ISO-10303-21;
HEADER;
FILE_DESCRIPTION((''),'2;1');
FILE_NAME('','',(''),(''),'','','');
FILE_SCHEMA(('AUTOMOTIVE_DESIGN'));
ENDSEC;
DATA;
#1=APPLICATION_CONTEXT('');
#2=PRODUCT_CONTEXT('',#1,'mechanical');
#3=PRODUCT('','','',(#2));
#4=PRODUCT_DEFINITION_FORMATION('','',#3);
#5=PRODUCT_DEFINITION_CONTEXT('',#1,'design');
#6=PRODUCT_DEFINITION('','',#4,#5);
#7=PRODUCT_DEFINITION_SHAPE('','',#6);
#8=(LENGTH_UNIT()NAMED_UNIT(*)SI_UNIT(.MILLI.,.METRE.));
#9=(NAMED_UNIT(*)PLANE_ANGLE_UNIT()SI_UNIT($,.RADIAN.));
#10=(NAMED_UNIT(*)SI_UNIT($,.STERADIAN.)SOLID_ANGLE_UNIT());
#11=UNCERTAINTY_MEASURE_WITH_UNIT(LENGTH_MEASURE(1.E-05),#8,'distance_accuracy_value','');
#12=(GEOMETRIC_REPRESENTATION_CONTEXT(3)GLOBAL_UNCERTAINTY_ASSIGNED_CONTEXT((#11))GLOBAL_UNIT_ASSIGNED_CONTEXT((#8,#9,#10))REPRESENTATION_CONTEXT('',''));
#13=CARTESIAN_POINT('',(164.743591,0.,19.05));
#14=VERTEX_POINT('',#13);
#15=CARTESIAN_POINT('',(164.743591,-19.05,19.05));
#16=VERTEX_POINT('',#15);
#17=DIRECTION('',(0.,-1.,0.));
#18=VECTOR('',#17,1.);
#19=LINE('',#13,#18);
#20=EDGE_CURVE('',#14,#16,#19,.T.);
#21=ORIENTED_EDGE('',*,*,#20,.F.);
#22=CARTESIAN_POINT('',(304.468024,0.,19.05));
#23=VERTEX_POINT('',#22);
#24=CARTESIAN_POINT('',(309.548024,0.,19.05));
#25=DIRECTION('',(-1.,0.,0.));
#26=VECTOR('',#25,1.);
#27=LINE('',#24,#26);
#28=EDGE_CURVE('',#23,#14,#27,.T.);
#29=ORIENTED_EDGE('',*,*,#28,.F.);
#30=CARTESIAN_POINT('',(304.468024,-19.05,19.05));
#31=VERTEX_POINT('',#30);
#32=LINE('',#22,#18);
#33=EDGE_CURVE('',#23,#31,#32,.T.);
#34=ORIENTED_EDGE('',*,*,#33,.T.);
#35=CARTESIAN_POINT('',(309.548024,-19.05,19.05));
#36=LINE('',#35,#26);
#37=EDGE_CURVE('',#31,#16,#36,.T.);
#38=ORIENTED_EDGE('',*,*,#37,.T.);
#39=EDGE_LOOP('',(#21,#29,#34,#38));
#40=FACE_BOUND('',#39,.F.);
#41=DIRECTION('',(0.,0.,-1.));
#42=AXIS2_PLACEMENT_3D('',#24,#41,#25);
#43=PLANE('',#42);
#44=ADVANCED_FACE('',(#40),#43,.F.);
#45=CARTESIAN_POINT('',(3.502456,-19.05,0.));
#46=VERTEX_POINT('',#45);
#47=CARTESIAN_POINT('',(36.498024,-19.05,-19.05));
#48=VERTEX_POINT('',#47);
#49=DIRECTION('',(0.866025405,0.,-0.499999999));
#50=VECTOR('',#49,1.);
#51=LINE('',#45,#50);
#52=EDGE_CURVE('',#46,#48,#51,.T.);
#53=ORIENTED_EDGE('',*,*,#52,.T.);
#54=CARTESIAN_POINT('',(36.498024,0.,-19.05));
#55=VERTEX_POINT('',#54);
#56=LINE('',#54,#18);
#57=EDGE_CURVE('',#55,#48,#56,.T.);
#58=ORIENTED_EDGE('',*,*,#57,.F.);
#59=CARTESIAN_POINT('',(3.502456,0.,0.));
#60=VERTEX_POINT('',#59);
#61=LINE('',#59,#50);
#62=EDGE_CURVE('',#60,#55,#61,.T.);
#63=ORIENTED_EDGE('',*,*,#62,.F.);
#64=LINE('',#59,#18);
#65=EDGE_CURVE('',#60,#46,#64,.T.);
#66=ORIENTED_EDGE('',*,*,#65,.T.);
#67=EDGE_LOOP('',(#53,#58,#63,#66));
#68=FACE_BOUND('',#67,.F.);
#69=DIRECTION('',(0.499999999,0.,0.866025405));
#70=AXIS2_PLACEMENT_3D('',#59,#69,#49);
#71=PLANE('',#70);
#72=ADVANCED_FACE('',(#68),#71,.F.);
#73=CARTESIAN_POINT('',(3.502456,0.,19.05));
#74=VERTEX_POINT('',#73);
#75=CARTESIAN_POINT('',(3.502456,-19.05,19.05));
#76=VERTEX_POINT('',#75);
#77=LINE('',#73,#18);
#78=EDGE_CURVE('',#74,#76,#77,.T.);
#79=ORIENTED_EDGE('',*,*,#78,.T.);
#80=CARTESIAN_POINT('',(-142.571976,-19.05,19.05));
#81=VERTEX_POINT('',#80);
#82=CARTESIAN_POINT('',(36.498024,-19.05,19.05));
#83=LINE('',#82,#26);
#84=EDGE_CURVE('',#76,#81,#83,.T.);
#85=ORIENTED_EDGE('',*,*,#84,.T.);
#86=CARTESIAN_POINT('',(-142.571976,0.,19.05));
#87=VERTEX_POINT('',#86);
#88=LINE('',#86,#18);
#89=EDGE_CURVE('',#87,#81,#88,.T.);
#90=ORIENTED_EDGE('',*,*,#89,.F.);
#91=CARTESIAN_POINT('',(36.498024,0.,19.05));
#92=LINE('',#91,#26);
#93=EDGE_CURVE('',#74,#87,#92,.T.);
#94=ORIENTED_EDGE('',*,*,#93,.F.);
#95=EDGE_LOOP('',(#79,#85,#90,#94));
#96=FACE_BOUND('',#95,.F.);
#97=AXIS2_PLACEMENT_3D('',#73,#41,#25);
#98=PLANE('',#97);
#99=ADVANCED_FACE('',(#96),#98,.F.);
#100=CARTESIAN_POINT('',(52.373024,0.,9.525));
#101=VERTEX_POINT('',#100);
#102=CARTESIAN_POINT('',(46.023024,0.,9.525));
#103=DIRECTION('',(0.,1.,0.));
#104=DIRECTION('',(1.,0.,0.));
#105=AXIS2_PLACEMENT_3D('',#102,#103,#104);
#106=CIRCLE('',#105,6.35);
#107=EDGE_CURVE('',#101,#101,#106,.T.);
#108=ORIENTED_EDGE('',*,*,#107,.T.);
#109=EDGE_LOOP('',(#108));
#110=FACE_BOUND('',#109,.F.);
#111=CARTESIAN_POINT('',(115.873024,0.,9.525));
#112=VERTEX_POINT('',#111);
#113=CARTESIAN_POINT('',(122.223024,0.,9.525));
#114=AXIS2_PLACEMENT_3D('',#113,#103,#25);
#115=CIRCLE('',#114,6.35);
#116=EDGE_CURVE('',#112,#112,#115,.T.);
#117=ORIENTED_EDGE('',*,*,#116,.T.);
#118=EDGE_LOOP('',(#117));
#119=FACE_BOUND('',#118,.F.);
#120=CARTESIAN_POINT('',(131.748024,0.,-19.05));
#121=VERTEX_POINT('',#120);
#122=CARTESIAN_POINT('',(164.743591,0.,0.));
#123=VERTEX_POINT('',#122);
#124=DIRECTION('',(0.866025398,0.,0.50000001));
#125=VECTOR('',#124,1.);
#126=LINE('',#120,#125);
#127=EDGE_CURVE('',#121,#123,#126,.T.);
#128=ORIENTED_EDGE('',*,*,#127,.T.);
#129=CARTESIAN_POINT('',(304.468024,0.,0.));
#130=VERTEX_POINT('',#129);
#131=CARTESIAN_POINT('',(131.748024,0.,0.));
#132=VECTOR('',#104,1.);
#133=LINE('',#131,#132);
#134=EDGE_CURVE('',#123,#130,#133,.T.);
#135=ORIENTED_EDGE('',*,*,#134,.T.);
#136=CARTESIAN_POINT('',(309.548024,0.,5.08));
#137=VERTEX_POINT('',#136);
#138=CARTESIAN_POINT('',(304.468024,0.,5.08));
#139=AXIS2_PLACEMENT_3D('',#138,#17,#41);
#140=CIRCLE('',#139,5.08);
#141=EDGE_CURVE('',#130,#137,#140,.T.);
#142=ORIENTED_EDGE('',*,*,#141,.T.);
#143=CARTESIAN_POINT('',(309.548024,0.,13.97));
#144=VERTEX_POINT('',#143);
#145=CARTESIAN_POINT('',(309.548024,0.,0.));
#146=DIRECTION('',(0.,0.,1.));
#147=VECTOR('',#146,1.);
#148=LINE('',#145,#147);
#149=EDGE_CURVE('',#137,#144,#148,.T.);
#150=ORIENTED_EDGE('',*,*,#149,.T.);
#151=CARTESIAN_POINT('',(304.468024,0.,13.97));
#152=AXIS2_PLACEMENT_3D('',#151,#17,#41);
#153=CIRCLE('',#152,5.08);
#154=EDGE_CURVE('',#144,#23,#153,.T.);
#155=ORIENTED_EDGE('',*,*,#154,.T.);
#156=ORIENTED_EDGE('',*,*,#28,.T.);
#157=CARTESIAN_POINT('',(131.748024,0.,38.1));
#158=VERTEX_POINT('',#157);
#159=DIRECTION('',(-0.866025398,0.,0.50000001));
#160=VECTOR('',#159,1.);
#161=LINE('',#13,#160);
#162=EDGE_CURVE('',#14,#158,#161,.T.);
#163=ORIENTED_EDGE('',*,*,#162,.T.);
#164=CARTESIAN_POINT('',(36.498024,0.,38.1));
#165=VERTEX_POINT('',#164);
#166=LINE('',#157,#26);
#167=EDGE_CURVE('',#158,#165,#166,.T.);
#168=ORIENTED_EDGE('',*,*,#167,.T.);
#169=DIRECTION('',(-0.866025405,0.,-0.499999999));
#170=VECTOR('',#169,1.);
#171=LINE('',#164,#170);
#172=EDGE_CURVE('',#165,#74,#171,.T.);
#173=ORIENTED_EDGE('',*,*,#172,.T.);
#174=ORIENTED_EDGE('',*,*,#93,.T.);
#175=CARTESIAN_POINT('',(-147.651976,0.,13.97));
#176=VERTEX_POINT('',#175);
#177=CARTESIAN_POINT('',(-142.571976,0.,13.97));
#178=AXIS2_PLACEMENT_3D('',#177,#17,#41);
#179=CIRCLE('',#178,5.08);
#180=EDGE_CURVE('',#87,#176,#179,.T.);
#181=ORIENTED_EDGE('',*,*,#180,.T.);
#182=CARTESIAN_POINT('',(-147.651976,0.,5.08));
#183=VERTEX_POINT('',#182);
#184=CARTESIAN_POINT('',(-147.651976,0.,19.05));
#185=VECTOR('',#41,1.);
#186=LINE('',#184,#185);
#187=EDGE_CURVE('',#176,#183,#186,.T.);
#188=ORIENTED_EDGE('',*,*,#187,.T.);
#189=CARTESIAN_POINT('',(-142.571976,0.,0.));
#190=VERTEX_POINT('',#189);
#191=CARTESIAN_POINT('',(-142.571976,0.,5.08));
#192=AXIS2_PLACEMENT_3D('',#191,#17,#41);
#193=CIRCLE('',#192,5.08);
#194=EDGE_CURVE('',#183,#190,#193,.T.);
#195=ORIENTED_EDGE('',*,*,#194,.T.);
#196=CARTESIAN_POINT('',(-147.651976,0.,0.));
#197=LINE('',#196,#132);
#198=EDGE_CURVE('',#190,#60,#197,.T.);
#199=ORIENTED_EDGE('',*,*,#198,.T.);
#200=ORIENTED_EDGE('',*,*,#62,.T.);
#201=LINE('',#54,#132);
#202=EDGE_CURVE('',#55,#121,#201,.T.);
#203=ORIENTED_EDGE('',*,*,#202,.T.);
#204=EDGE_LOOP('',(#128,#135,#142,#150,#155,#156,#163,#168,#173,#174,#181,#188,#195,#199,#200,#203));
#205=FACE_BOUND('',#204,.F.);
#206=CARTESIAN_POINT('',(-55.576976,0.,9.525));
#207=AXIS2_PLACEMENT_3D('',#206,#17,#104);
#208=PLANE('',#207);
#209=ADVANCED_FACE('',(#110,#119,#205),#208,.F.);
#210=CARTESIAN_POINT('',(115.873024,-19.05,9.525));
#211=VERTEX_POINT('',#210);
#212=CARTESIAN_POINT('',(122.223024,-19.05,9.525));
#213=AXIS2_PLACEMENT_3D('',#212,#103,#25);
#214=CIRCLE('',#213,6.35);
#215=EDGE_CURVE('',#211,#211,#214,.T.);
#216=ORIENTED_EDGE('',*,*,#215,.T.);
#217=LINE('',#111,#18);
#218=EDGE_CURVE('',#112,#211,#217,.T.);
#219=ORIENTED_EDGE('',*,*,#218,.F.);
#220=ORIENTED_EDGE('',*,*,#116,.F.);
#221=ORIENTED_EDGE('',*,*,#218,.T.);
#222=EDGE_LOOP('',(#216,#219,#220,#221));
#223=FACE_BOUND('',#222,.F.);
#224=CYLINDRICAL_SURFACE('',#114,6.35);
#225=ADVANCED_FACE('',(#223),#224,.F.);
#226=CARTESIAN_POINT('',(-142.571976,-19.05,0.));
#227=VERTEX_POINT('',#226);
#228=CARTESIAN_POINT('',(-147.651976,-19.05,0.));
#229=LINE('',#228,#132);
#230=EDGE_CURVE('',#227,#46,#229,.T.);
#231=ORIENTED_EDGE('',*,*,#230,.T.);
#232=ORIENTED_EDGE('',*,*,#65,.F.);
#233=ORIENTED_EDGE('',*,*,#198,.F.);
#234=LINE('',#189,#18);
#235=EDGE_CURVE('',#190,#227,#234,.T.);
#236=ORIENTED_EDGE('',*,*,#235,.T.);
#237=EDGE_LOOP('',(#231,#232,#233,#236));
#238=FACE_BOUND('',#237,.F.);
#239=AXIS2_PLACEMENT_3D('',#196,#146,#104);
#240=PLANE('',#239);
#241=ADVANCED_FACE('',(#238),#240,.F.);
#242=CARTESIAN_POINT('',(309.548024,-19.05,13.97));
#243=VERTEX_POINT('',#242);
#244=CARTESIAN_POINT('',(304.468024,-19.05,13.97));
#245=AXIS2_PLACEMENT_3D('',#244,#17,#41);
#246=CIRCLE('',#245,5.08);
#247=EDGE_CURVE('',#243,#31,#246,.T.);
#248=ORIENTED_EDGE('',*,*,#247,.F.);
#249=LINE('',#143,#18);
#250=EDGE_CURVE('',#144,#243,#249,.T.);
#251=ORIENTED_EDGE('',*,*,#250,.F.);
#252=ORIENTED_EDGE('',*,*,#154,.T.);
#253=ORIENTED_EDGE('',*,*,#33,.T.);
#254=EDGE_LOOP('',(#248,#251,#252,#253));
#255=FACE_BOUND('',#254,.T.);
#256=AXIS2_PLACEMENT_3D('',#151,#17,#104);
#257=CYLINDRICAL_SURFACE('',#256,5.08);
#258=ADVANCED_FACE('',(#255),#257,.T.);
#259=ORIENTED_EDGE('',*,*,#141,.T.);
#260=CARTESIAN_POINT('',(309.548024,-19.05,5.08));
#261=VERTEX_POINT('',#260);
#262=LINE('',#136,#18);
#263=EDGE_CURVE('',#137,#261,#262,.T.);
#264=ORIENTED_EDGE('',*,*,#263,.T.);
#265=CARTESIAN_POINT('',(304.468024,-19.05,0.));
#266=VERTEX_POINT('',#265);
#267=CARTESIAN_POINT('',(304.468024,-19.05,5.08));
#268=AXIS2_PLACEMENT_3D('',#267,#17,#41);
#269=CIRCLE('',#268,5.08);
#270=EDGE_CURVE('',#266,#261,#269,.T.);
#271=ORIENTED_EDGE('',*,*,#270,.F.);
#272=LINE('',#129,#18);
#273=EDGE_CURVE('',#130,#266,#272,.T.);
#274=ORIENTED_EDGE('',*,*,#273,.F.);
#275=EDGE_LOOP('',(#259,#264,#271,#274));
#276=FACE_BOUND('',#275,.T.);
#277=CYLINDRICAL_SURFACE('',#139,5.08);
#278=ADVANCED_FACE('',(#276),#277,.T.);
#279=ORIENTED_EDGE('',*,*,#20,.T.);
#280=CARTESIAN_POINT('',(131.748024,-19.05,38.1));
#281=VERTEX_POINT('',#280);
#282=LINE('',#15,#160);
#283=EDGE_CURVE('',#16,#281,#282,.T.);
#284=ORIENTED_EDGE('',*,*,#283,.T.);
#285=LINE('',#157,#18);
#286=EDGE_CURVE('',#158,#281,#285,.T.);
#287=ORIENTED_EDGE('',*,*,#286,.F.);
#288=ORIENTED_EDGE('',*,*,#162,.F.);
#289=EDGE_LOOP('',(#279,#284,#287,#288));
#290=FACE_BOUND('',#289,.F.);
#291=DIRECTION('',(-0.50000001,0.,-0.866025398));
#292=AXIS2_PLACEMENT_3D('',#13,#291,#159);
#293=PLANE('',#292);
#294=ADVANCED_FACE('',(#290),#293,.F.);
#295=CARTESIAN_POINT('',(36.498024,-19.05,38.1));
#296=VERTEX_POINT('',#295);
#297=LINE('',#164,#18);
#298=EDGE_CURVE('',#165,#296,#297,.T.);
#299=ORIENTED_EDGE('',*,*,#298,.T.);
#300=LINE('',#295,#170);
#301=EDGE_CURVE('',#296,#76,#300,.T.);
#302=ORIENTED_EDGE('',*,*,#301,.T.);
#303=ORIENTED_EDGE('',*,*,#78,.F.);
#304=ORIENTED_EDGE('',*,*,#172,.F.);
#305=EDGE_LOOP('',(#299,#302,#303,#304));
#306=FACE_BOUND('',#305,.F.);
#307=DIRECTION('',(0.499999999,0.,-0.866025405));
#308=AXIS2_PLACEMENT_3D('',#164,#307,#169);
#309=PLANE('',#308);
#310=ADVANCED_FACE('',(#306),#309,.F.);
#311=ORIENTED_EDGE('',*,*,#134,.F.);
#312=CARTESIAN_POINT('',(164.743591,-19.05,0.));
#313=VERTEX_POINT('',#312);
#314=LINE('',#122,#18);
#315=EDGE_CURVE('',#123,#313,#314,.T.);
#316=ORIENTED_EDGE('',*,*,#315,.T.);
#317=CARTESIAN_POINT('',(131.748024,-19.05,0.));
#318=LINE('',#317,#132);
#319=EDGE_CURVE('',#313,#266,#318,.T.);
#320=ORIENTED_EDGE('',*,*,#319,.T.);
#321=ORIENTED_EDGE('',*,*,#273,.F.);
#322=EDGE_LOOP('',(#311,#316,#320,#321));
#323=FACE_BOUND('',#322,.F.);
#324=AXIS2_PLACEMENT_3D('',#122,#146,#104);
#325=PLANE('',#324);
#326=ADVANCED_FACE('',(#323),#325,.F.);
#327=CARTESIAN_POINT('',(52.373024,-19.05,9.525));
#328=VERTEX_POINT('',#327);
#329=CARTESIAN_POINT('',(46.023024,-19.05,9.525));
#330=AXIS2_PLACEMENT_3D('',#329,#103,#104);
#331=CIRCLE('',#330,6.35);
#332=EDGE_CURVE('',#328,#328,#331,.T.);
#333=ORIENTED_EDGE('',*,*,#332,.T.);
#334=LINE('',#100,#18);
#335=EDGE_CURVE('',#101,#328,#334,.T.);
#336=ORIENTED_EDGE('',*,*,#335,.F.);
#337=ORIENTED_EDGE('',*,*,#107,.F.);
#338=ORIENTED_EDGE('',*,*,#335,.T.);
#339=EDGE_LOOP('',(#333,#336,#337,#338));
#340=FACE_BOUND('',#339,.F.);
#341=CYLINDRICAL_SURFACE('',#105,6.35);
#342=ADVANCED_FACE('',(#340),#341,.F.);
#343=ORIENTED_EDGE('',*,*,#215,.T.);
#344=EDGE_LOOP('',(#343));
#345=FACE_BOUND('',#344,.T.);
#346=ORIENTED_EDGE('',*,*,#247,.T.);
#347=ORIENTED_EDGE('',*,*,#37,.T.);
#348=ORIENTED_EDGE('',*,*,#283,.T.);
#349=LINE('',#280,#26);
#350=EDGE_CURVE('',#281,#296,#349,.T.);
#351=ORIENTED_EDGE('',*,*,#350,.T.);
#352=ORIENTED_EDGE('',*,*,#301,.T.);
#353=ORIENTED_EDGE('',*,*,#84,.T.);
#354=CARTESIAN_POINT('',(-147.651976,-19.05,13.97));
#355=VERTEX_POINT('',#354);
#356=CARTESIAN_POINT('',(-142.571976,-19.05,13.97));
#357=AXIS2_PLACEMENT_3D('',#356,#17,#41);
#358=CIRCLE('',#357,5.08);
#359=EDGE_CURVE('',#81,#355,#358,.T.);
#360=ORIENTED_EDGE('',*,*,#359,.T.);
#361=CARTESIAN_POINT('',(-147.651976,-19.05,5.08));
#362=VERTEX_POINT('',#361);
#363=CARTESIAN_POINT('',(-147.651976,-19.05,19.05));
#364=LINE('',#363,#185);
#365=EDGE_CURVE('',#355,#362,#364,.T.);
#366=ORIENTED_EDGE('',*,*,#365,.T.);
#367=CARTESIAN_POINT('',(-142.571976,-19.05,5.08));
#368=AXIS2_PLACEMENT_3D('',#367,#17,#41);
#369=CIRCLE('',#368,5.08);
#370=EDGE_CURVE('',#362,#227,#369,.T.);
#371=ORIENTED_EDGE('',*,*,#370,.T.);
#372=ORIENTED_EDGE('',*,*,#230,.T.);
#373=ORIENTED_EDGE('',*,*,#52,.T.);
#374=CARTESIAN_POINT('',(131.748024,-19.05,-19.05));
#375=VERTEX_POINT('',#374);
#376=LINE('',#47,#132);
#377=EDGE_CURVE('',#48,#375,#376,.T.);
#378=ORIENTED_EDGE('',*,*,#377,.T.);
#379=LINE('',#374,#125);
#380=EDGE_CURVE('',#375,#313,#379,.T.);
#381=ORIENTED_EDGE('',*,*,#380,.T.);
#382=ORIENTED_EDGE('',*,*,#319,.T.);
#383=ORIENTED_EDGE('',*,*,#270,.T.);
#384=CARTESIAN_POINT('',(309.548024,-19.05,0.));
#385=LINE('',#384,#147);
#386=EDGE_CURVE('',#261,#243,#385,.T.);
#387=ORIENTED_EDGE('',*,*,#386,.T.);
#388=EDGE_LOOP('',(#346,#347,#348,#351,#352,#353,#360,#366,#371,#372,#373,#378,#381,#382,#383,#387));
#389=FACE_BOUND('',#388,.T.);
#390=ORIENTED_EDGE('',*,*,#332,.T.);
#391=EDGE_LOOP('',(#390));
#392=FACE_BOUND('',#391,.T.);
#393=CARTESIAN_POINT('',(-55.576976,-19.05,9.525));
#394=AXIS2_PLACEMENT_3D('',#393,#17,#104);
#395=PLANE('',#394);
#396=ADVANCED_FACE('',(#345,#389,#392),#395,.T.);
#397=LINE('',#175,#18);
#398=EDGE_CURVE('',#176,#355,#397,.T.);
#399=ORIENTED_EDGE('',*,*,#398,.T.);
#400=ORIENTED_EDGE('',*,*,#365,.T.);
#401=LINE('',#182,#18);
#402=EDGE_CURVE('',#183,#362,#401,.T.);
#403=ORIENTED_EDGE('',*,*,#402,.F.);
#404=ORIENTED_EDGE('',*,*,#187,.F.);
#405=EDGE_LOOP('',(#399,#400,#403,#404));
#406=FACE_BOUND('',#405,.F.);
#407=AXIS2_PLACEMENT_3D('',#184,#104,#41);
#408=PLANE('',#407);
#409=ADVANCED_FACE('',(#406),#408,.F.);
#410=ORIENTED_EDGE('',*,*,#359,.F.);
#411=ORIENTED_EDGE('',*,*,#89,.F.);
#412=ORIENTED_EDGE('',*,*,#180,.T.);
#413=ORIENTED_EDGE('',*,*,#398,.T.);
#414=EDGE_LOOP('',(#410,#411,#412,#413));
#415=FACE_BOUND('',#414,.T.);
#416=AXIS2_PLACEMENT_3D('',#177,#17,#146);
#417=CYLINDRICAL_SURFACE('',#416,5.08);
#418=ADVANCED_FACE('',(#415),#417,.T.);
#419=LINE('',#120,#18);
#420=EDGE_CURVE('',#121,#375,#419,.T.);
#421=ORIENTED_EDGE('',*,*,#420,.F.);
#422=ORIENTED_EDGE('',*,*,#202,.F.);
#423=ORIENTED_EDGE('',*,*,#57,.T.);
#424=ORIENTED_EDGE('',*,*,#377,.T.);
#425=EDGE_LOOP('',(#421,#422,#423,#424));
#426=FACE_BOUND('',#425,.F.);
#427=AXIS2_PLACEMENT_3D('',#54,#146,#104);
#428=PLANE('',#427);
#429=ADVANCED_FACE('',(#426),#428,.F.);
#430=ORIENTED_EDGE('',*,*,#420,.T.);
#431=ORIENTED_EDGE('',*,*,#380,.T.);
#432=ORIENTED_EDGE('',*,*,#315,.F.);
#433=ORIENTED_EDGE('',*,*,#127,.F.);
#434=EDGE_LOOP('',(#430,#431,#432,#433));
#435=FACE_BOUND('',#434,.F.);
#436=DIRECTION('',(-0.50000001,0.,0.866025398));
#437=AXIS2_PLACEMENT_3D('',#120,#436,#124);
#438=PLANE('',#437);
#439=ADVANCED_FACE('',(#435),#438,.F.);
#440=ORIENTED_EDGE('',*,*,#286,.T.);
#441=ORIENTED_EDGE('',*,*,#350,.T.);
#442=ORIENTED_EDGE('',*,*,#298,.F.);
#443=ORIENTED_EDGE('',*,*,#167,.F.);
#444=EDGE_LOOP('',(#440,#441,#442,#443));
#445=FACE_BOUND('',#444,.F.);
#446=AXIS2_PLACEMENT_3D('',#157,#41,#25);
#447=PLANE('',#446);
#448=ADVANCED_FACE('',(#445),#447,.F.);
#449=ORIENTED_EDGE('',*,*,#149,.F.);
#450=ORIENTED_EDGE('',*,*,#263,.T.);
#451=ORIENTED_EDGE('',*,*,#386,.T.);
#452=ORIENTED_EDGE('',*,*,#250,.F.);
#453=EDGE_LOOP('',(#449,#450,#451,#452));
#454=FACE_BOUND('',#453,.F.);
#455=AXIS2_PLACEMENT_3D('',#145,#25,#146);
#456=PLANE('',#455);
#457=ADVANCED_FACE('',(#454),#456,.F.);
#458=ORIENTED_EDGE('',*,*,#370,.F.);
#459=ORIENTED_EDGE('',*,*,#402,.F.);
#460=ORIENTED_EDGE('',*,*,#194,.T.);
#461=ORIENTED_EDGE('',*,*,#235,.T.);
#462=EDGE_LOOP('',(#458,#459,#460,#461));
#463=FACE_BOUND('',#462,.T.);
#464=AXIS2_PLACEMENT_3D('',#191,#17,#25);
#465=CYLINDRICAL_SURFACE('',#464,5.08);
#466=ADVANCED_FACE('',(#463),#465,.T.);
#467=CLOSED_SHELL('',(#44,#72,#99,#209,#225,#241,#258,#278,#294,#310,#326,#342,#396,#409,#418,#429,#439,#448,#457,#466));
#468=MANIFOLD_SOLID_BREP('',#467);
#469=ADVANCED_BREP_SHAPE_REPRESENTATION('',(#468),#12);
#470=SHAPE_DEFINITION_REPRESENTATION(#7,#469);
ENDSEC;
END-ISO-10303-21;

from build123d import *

# Parameters (mm, degrees)
F0_W     = 19.05
F0_H     = 19.05
F1_DEPTH = 19.05
F2_R     = 5.08


with BuildPart() as f1:
    # F0 (on Front) → F1 (new body)
    with BuildSketch(Plane.XZ):
        Polygon((3.502456, 19.05), (-147.651976, 19.05), (-147.651976, 0), (3.502456, 0), (36.498024, 0), (36.498024, 9.525), (36.498024, 19.05), align=None)
        Polygon((36.498024, 38.1), (3.502456, 19.05), (36.498024, 19.05), align=None)
        with Locations((46.023024, 28.575)):
            Rectangle(F0_W, F0_H)
        Polygon((36.498024, 0), (3.502456, 0), (36.498024, -19.05), align=None)
        Polygon((55.548024, 38.1), (55.548024, 19.05), (80.948024, 19.05), (112.698024, 19.05), (112.698024, 38.1), align=None)
        with Locations((46.023024, -9.525)):
            Rectangle(F0_W, F0_H)
        with Locations((122.223024, 28.575)):
            Rectangle(F0_W, F0_H)
        Polygon((80.948024, 0), (55.548024, 0), (55.548024, -19.05), (112.698024, -19.05), (112.698024, 0), align=None)
        Polygon((164.743591, 19.05), (131.748024, 38.1), (131.748024, 19.05), align=None)
        with Locations((122.223024, -9.525)):
            Rectangle(F0_W, F0_H)
        Polygon((164.743591, 19.05), (131.748024, 19.05), (131.748024, 9.525), (131.748024, 0), (164.743591, 0), (309.548024, 0), (309.548024, 19.05), align=None)
        Polygon((131.748024, 0), (131.748024, -19.05), (164.743591, 0), align=None)
        Polygon((80.948024, 19.05), (55.548024, 19.05), (55.548024, 9.525), (55.548024, 0), (80.948024, 0), align=None)
        Polygon((112.698024, 19.05), (80.948024, 19.05), (80.948024, 0), (112.698024, 0), (112.698024, 9.525), align=None)
        with BuildLine():
            Line((115.873024, 9.525), (112.698024, 9.525))
            Line((112.698024, 9.525), (112.698024, 0))
            Line((112.698024, 0), (131.748024, 0))
            Line((131.748024, 0), (131.748024, 9.525))
            Line((131.748024, 9.525), (128.573024, 9.525))
            ThreePointArc((128.573024, 9.525), (122.223024, 3.175), (115.873024, 9.525))
        make_face()
        with BuildLine():
            Line((55.548024, 19.05), (36.498024, 19.05))
            Line((36.498024, 19.05), (36.498024, 9.525))
            Line((36.498024, 9.525), (39.673024, 9.525))
            ThreePointArc((39.673024, 9.525), (46.023024, 15.875), (52.373024, 9.525))
            Line((52.373024, 9.525), (55.548024, 9.525))
            Line((55.548024, 9.525), (55.548024, 19.05))
        make_face()
        with BuildLine():
            Line((39.673024, 9.525), (36.498024, 9.525))
            Line((36.498024, 9.525), (36.498024, 0))
            Line((36.498024, 0), (55.548024, 0))
            Line((55.548024, 0), (55.548024, 9.525))
            Line((55.548024, 9.525), (52.373024, 9.525))
            ThreePointArc((52.373024, 9.525), (46.023024, 3.175), (39.673024, 9.525))
        make_face()
        with BuildLine():
            Line((131.748024, 19.05), (112.698024, 19.05))
            Line((112.698024, 19.05), (112.698024, 9.525))
            Line((112.698024, 9.525), (115.873024, 9.525))
            ThreePointArc((115.873024, 9.525), (122.223024, 15.875), (128.573024, 9.525))
            Line((128.573024, 9.525), (131.748024, 9.525))
            Line((131.748024, 9.525), (131.748024, 19.05))
        make_face()
    extrude(amount=F1_DEPTH)

    # F2
    f2_edges = [f1.edges().sort_by_distance(p)[0] for p in [
        (309.548024, -9.525, 19.05),
        (309.548024, -9.525, 0),
        (-147.651976, -9.525, 19.05),
        (-147.651976, -9.525, 0),
    ]]
    fillet(f2_edges, radius=F2_R)


solid = f1.part
